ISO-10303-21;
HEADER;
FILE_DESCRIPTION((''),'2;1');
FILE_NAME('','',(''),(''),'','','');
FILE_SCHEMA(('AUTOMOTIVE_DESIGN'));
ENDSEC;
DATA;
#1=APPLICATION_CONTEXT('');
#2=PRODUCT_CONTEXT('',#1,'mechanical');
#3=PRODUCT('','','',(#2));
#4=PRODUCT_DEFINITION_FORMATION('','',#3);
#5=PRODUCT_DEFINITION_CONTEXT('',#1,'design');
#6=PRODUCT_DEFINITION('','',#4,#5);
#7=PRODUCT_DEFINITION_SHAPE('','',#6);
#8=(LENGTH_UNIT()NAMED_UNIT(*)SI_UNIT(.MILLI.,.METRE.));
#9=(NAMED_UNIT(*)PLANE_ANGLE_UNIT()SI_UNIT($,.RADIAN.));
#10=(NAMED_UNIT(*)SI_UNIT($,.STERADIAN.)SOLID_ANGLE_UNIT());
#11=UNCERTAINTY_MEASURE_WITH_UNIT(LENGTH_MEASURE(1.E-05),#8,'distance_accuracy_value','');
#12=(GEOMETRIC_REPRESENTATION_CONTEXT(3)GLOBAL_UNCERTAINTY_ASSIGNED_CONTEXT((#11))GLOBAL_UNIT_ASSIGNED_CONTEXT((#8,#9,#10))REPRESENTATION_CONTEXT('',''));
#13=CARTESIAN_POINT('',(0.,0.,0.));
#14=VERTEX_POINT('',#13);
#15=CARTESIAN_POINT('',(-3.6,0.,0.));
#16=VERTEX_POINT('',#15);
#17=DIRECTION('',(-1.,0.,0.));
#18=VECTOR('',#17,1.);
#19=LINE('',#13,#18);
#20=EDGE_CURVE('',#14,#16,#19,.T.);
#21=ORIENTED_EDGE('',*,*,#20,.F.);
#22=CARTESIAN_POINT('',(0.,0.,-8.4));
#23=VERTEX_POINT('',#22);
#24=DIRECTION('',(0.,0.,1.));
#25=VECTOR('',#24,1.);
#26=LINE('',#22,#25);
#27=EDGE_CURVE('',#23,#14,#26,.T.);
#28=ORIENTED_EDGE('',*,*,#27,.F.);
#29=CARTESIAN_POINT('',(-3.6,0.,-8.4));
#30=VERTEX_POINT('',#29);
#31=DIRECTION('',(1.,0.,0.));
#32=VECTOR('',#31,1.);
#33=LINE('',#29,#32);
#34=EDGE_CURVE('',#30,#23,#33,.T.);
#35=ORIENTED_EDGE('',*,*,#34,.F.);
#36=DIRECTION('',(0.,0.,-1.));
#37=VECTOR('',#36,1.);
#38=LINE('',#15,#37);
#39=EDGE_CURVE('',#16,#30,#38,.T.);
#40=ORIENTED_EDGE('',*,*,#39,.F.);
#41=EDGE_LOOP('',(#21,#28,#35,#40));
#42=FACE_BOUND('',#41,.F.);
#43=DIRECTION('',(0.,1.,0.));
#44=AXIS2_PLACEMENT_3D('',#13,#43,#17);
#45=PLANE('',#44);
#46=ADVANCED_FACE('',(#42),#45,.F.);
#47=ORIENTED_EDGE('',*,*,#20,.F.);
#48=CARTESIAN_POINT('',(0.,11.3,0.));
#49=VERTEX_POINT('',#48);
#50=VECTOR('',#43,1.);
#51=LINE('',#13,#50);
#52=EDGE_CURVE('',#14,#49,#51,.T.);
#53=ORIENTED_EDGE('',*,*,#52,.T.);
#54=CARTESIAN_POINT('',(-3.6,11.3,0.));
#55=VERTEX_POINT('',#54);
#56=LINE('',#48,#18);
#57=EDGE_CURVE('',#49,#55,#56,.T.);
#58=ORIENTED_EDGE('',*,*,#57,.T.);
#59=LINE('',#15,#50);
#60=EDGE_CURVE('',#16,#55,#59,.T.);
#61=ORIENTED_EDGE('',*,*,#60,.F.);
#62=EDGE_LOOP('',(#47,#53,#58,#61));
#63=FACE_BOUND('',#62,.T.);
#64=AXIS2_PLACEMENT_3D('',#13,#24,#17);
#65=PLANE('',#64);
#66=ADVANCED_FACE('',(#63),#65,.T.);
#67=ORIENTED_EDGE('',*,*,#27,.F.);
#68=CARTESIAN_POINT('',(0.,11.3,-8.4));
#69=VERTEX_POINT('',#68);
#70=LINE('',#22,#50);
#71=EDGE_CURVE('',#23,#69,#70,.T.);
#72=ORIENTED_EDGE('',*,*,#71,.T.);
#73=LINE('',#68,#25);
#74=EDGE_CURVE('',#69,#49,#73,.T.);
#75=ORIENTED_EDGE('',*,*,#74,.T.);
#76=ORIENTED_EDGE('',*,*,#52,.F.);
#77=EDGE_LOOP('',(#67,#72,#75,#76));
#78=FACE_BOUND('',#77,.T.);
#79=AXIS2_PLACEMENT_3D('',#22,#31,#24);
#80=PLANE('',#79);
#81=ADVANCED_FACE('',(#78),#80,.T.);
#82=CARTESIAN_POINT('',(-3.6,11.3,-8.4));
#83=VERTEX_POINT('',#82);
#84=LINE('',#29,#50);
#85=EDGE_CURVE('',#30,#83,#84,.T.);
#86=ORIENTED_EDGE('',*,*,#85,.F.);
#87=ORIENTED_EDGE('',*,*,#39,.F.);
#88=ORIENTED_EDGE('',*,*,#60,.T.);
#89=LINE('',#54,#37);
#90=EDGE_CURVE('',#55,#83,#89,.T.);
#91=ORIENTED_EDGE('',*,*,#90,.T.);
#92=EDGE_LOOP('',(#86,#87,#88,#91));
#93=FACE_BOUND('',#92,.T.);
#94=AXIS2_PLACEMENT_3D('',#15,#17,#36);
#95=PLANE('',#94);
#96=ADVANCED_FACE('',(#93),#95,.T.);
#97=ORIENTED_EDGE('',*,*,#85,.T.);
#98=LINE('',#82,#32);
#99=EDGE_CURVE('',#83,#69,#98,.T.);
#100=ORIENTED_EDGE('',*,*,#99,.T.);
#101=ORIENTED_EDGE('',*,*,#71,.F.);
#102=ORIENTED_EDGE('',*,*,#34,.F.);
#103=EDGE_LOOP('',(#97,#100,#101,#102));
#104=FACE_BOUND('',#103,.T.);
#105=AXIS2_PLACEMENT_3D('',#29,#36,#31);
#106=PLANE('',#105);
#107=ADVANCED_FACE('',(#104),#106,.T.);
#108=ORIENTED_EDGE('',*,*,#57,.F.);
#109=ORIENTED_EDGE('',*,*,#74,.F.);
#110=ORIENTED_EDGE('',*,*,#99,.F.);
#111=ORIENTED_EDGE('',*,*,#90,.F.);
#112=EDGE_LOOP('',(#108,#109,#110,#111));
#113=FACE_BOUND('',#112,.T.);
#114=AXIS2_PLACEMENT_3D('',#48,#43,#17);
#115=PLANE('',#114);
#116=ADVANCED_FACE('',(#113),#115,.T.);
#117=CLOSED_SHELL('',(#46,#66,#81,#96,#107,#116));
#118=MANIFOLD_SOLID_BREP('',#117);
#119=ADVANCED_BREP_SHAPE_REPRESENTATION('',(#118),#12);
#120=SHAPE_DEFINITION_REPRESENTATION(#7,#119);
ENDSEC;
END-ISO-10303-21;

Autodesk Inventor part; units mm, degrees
ref_plane "YZ Plane" through (0, 0, 0) normal (1, 0, 0) x (0, 1, 0)
ref_plane "XZ Plane" through (0, 0, 0) normal (0, 1, 0) x (-1, 0, 0)
ref_plane "XY Plane" through (0, 0, 0) normal (0, 0, 1) x (1, 0, 0)
sketch "Sketch1" plane through (0, 0, 0) normal (0, 1, 0) x (-1, 0, 0)
  line L0 (0, 0) -> (3.6, 0)
  line L1 (3.6, 0) -> (3.6, -8.4)
  line L2 (3.6, -8.4) -> (0, -8.4)
  line L3 (0, -8.4) -> (0, 0)
  dimension "d0" = 8.4
  dimension "d1" = 3.6
extrude "Extrusion1" add sketch "Sketch1" along normal blind 11.3
properties part number "SlideSwitch"
